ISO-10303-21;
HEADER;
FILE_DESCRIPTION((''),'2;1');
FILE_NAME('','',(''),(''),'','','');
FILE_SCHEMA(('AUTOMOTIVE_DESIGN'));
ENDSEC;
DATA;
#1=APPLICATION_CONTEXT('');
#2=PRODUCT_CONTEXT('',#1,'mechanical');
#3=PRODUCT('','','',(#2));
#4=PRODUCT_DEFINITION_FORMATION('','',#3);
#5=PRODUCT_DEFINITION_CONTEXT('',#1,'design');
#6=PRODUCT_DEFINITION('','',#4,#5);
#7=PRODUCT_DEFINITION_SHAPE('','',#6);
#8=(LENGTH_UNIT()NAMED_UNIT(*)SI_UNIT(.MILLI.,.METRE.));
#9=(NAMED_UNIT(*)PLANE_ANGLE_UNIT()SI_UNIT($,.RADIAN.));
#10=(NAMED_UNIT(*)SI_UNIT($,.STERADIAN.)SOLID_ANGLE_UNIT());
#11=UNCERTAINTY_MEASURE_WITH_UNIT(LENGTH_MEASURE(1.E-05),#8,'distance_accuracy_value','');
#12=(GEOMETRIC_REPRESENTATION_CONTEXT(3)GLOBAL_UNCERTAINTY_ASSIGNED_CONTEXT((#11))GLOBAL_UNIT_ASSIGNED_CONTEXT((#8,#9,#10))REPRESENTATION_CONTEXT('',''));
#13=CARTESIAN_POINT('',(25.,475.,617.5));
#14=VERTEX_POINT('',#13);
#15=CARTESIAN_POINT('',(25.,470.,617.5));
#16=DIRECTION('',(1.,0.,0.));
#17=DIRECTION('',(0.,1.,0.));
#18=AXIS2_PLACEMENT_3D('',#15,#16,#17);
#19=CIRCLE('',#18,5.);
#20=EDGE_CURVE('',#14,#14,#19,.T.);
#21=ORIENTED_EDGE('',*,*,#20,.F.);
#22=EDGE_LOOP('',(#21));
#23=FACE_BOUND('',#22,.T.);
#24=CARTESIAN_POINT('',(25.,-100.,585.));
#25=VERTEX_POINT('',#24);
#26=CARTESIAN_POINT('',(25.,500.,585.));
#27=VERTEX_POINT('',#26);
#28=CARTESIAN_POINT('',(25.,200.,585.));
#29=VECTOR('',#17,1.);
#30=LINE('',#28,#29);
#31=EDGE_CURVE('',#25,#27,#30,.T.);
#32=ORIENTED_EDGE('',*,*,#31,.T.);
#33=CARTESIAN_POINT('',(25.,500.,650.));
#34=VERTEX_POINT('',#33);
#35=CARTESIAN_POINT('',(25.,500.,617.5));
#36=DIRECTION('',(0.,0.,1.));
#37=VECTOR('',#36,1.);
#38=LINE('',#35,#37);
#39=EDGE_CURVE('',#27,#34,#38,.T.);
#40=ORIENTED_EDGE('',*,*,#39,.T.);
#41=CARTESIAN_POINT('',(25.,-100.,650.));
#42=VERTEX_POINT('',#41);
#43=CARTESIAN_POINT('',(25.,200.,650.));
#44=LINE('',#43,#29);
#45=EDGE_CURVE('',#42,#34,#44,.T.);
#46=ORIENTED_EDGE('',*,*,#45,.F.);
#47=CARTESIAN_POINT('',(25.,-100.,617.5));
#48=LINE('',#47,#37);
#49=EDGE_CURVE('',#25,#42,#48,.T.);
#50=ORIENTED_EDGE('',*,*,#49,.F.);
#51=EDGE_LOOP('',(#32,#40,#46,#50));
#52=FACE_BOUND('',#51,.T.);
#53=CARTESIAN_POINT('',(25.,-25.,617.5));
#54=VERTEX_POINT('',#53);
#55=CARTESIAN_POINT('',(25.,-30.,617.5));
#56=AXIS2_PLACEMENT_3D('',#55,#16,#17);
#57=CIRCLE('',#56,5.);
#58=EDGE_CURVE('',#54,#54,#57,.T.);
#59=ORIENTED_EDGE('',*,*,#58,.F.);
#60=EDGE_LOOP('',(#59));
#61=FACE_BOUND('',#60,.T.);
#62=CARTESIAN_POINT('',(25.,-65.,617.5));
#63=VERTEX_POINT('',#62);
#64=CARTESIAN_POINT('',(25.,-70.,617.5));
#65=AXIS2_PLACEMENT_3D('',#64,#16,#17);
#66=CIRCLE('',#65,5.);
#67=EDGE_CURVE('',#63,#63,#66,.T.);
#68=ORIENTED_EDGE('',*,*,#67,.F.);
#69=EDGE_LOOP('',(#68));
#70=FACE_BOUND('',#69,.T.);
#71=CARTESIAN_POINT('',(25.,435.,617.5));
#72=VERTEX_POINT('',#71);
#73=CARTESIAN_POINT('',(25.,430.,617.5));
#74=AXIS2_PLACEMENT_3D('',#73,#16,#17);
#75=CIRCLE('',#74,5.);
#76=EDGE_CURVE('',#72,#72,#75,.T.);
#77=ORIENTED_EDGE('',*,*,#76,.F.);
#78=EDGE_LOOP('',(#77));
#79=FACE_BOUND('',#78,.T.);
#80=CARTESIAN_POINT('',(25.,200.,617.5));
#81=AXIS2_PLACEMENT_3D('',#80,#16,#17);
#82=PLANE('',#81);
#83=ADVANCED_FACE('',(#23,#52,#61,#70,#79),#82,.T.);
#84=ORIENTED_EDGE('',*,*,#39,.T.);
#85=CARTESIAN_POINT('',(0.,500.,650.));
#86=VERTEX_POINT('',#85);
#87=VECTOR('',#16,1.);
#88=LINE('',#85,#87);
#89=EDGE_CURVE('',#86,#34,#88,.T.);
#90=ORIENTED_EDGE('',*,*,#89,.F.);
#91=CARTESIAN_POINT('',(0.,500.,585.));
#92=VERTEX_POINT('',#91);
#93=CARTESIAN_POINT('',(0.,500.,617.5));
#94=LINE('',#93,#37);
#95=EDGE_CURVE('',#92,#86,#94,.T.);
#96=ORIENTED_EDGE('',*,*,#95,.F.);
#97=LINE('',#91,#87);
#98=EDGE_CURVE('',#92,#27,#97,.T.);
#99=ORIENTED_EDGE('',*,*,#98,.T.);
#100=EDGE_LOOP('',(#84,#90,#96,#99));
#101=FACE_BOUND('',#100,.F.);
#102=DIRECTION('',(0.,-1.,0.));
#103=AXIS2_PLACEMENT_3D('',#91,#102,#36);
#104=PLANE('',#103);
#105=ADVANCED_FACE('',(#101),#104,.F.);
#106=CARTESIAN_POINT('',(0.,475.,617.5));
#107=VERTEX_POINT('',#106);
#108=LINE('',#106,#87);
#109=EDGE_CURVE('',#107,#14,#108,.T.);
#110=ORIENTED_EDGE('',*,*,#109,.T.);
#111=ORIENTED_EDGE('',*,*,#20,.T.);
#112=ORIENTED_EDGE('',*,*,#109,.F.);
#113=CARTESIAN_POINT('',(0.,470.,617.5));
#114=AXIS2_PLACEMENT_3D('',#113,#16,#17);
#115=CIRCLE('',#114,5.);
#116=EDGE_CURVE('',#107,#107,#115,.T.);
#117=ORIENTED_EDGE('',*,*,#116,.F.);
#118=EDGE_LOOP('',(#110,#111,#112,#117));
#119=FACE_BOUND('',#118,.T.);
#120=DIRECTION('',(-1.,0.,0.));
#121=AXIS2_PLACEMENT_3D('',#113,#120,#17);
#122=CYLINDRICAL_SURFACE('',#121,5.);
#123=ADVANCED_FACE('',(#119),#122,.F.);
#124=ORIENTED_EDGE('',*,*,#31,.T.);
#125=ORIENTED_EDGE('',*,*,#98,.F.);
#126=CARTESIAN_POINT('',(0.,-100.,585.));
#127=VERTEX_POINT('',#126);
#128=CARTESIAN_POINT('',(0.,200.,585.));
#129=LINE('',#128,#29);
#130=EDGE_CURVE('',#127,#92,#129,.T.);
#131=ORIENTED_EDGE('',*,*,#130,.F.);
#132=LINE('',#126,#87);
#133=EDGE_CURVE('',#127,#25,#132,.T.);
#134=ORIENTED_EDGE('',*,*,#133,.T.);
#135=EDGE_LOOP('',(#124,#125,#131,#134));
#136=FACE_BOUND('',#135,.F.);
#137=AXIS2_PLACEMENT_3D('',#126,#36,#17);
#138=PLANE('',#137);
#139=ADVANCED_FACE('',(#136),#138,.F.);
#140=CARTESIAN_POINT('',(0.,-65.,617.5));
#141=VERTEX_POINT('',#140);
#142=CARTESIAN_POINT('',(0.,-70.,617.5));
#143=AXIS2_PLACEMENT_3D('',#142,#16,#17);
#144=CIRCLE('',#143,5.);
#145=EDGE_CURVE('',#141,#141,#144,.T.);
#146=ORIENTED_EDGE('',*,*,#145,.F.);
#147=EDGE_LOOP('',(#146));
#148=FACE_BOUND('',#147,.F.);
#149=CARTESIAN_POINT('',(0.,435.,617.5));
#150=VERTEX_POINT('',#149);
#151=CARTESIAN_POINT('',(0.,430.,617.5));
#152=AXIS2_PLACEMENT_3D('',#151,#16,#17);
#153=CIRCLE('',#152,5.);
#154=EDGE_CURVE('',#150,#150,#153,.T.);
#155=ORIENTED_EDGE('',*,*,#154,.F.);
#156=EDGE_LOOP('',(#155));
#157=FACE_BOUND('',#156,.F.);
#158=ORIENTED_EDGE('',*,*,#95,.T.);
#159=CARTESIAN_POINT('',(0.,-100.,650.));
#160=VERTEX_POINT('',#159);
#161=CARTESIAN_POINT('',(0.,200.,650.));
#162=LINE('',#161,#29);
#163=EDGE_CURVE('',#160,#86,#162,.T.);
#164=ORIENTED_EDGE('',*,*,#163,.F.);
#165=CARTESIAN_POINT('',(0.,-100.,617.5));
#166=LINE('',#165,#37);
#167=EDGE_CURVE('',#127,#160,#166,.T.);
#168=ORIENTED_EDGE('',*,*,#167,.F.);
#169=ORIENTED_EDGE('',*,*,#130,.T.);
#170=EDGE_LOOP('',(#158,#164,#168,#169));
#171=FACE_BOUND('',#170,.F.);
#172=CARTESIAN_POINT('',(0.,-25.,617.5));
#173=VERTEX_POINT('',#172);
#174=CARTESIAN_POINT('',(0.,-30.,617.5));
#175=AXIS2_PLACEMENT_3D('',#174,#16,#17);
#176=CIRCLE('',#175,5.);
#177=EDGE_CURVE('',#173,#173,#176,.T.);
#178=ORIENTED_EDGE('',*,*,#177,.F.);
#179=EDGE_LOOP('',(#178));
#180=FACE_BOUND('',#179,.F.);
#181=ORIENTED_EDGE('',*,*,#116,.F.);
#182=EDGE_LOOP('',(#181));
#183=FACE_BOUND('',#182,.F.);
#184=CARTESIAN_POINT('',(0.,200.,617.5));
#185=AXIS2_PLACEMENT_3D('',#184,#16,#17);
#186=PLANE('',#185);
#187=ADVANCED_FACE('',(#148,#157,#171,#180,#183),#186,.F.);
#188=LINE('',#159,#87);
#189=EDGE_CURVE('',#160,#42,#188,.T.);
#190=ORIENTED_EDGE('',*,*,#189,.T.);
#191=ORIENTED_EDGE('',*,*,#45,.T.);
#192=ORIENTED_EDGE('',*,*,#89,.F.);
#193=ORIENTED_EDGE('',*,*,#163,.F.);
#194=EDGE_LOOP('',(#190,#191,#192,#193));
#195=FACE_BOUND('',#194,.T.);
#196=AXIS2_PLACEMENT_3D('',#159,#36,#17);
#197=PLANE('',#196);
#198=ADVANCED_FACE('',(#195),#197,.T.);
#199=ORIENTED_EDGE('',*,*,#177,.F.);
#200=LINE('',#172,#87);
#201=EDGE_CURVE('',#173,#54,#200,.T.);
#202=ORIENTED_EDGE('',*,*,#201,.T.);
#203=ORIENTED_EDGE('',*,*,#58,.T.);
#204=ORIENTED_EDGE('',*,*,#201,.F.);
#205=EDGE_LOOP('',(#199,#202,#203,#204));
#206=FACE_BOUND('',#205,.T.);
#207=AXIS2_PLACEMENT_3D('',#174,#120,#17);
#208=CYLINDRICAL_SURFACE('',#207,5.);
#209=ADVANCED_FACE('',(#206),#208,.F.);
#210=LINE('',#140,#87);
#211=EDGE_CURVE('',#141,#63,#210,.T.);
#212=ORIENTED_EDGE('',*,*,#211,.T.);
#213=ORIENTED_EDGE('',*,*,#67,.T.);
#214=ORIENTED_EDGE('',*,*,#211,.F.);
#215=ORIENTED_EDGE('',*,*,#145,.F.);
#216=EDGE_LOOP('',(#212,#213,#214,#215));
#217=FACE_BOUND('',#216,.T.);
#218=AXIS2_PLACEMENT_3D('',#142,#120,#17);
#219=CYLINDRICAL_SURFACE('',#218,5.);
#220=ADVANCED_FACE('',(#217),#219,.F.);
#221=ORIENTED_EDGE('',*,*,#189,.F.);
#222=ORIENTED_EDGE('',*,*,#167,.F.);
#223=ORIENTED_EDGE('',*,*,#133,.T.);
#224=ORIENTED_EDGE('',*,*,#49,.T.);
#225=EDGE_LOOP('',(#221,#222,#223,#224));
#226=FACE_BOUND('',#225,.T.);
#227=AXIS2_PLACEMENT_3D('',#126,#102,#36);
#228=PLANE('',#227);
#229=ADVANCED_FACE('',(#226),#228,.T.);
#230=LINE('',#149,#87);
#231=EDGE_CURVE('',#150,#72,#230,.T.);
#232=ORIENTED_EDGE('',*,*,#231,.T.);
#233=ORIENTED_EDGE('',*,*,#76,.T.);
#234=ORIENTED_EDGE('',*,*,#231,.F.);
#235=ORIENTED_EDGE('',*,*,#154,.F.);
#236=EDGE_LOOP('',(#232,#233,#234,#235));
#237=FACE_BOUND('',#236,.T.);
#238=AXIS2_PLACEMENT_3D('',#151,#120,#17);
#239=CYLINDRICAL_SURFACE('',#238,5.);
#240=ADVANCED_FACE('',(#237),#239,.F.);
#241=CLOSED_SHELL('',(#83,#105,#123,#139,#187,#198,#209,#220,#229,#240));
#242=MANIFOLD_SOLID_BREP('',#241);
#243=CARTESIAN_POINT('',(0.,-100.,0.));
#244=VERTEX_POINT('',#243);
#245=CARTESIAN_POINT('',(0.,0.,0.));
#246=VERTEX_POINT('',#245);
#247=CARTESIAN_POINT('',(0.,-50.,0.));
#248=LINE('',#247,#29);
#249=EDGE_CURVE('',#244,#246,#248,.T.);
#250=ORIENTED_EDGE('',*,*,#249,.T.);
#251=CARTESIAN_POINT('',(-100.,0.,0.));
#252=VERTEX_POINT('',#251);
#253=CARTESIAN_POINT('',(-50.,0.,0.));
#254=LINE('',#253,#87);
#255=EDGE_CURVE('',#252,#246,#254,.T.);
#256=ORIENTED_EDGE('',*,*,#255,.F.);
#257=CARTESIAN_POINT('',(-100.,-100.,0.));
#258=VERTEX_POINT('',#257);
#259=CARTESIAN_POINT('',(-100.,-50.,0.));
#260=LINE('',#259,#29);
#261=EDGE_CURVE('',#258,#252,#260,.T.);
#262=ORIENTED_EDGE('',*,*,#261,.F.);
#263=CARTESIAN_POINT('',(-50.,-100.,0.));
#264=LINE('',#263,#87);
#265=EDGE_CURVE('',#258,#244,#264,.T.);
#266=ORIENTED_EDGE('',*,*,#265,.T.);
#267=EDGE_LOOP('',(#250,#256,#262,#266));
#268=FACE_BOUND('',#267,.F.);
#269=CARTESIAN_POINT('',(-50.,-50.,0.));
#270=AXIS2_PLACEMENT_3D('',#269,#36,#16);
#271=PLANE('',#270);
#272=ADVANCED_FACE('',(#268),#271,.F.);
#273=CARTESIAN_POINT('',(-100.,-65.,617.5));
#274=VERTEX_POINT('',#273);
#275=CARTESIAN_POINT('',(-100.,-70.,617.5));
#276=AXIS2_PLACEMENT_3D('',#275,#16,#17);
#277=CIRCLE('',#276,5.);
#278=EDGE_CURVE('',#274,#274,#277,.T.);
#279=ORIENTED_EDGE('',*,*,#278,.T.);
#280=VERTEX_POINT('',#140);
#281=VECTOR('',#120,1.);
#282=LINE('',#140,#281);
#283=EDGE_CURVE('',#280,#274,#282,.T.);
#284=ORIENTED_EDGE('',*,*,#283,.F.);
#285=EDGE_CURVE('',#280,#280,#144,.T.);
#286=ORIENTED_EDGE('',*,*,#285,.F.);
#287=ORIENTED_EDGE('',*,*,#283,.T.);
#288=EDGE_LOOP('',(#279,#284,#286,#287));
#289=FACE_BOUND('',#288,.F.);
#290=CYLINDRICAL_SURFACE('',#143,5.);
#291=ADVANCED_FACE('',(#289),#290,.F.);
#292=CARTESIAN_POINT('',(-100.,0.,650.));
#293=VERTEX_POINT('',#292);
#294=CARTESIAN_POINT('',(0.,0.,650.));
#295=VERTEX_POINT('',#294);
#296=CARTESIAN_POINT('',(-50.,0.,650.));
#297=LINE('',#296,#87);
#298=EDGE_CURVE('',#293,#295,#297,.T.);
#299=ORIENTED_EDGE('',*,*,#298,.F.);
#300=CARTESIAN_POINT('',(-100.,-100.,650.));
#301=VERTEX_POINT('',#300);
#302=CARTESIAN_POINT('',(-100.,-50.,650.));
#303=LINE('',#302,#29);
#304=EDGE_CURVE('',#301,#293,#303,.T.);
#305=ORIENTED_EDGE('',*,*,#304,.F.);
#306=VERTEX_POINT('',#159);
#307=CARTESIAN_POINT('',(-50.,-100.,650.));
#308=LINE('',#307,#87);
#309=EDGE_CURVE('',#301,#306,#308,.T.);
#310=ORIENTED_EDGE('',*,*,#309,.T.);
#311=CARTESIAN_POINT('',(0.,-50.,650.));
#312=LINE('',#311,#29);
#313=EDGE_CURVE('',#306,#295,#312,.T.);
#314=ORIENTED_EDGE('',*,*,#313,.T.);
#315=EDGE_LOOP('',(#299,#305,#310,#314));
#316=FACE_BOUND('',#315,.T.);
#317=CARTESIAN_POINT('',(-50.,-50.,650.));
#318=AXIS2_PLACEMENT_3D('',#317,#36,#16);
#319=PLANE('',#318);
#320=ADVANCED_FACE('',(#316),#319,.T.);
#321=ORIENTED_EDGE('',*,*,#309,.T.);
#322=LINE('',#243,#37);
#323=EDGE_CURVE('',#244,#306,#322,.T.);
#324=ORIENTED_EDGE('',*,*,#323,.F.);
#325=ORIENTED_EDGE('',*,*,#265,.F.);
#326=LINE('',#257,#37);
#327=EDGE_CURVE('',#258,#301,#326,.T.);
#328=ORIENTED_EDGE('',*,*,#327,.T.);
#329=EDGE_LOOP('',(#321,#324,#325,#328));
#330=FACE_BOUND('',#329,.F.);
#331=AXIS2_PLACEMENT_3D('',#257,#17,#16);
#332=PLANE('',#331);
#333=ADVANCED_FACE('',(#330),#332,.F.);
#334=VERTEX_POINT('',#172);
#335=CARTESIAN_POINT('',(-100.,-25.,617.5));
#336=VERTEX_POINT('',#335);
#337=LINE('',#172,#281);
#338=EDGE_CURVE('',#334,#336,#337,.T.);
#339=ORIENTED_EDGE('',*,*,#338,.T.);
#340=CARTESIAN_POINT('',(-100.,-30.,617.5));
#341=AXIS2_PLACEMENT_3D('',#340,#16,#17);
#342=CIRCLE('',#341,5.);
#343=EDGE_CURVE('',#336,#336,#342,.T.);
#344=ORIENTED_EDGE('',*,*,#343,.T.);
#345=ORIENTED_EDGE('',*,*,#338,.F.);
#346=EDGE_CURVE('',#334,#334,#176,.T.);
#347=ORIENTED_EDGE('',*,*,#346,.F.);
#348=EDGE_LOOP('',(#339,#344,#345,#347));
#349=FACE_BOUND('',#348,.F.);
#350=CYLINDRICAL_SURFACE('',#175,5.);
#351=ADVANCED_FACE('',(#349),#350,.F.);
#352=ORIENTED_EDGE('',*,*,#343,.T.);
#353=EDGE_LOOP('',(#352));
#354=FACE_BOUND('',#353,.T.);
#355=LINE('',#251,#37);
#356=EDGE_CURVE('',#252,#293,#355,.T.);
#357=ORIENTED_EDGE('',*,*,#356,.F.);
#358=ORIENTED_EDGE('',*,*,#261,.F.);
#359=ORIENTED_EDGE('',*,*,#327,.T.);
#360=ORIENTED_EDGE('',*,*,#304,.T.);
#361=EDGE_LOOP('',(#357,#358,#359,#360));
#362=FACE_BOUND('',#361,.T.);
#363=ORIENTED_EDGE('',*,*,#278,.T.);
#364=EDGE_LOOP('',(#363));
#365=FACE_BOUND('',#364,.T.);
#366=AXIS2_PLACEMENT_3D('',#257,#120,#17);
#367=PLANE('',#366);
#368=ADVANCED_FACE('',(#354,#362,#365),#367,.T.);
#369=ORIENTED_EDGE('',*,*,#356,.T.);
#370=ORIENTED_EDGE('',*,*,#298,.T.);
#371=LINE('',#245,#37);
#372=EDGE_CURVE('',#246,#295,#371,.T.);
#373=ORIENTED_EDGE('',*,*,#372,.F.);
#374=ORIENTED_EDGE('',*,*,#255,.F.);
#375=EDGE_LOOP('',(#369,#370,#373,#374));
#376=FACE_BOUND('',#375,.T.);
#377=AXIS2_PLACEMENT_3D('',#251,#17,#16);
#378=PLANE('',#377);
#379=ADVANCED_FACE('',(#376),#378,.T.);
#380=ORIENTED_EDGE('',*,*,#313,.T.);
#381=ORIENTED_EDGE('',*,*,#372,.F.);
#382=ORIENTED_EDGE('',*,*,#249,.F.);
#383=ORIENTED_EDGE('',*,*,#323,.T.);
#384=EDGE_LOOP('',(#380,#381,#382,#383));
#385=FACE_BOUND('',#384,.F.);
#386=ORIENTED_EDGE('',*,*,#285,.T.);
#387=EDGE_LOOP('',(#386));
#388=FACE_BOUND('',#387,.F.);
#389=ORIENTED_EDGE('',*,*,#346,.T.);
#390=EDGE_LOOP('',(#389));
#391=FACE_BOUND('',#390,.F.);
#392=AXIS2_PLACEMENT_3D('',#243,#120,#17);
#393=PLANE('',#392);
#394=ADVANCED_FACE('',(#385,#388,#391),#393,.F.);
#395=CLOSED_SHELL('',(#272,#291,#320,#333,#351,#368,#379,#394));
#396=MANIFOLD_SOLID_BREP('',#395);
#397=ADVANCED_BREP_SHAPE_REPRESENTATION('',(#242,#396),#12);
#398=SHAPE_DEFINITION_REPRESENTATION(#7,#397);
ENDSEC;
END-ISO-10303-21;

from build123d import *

# Parameters (mm, degrees)
F0_W     = 100
F0_H     = 100
F1_DEPTH = 650
F2_R     = 5
F3_DEPTH = 100.001
F4_W     = 600
F4_H     = 65
F4_R     = 5
F5_DEPTH = 25


with BuildPart() as f1:
    # F0 (on Top) → F1 (new body)
    with BuildSketch(Plane.XY):
        with Locations((-50, -50)):
            Rectangle(F0_W, F0_H)
    extrude(amount=F1_DEPTH)

    # F2 (on face) → F3 (cut, through all)
    with BuildSketch(Plane.YZ):
        with Locations((-70, 617.5)):
            Circle(F2_R)
        with Locations((-30, 617.5)):
            Circle(F2_R)
    extrude(amount=-F3_DEPTH, mode=Mode.SUBTRACT)


with BuildPart() as f5:
    # F4 (on Right) → F5 (new body)
    with BuildSketch(Plane.YZ):
        with Locations((200, 617.5)):
            Rectangle(F4_W, F4_H)
        with Locations((-70, 617.5)):
            Circle(F4_R, mode=Mode.SUBTRACT)
        with Locations((-30, 617.5)):
            Circle(F4_R, mode=Mode.SUBTRACT)
        with Locations((430, 617.5)):
            Circle(F4_R, mode=Mode.SUBTRACT)
        with Locations((470, 617.5)):
            Circle(F4_R, mode=Mode.SUBTRACT)
    extrude(amount=F5_DEPTH)


solid = Compound([f1.part, f5.part])
